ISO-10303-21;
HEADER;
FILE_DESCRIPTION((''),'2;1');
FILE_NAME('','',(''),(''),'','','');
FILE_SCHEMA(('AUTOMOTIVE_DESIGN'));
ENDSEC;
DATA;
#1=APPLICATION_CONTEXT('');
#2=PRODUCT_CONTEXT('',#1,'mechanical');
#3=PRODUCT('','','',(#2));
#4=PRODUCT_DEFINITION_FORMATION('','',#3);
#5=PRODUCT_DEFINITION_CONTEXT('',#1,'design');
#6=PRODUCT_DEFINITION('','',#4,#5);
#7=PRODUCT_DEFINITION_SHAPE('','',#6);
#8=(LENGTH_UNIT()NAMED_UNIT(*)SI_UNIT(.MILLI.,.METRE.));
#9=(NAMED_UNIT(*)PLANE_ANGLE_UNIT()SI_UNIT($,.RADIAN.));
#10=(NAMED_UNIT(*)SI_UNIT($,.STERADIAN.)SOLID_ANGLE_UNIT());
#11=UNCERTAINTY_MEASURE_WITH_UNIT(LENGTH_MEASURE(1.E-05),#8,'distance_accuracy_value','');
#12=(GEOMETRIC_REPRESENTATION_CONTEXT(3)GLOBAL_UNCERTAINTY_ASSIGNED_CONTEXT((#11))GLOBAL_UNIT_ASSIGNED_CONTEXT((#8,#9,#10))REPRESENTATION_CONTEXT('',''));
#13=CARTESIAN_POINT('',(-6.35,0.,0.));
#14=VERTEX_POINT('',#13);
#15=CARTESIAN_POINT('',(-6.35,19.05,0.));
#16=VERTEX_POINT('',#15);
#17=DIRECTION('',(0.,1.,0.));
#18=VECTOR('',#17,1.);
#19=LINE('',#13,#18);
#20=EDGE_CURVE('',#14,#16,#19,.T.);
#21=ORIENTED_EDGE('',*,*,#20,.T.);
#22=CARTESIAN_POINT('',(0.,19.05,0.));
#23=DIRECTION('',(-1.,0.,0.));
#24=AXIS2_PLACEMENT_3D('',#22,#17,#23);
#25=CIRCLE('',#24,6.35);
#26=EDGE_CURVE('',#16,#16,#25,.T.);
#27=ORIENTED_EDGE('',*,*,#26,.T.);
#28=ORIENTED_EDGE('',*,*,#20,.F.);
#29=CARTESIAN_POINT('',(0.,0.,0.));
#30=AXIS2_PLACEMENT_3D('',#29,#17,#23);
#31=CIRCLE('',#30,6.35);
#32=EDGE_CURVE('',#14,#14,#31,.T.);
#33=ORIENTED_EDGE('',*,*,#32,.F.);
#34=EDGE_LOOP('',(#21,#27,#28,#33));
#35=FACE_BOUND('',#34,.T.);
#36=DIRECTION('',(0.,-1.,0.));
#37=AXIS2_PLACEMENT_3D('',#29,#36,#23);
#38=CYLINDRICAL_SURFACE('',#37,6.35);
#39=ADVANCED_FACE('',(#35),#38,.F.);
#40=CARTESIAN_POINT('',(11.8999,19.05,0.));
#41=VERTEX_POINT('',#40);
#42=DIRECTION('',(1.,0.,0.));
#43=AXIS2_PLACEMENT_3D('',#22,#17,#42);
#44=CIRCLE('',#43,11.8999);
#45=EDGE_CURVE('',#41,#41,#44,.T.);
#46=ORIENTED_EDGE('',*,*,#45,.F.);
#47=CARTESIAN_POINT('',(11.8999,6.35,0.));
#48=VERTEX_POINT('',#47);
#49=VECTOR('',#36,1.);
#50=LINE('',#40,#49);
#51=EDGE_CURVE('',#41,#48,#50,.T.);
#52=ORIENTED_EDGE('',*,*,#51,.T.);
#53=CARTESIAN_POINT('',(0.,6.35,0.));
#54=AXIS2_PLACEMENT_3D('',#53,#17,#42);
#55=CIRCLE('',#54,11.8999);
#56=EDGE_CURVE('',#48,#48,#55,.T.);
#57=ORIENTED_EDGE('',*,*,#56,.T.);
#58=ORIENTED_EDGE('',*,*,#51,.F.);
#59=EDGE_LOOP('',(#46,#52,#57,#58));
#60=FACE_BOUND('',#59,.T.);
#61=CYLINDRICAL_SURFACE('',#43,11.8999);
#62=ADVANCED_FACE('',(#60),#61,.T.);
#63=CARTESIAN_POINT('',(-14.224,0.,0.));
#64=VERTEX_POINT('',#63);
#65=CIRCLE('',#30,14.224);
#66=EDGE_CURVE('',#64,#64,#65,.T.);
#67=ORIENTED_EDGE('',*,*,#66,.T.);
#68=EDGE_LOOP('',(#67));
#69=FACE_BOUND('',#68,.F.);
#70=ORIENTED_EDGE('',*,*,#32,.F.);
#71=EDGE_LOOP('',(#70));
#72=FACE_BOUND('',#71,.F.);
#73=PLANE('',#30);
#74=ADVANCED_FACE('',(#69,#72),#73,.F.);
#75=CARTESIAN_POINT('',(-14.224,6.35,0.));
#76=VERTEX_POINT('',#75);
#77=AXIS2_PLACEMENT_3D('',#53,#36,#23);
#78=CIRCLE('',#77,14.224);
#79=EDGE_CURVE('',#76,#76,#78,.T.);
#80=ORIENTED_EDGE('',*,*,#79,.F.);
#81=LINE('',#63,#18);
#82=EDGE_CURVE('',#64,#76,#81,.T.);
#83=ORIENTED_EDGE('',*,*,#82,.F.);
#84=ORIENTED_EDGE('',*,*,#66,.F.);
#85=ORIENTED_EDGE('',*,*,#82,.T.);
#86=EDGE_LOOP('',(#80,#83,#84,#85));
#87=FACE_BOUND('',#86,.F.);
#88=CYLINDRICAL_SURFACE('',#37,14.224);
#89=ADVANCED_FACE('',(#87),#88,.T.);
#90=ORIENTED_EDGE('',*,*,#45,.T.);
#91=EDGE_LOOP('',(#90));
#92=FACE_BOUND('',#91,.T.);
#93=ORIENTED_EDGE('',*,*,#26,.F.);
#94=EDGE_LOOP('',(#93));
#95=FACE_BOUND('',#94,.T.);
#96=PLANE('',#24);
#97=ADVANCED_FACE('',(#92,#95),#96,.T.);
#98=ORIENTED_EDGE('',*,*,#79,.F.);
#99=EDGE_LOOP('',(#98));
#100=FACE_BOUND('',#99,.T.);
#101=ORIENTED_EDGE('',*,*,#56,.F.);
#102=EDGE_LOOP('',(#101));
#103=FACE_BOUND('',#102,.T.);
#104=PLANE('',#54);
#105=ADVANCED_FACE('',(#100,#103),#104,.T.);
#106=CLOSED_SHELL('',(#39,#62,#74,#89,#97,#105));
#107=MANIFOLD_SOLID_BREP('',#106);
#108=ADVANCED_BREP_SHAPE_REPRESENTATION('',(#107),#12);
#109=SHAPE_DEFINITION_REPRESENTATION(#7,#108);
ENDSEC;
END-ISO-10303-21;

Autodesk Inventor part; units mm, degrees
ref_plane "YZ Plane" through (0, 0, 0) normal (1, 0, 0) x (0, 1, 0)
ref_plane "XZ Plane" through (0, 0, 0) normal (0, 1, 0) x (-1, 0, 0)
ref_plane "XY Plane" through (0, 0, 0) normal (0, 0, 1) x (1, 0, 0)
sketch "Sketch1" plane through (0, 0, 0) normal (0, 1, 0) x (-1, 0, 0)
  circle A0 centre (0, 0) radius 6.35
  circle A1 centre (0, 0) radius 14.224
  dimension "d0" = 12.7
  dimension "d1" = 28.448
extrude "Extrusion1" add sketch "Sketch1" along normal blind 19.05
sketch "Sketch2" plane through (0, 19.05, 0) normal (0, 1, 0) x (1, 0, 0)
  circle A0 centre (0, 0) radius 14.224 projected
  circle A1 centre (0, 0) radius 11.8999
  dimension "d6" = 23.7998
extrude "Extrusion2" cut sketch "Sketch2" against normal blind 12.7
thread "Thread3" size "1/2-13 UNC" class "2B" standard "ANSI Unified Screw Threads" length 19.8628
thread "Thread4" size "15/16-16 UN" class "2A" standard "ANSI Unified Screw Threads" length 25.4
properties part number "AcmeRoundNut"
